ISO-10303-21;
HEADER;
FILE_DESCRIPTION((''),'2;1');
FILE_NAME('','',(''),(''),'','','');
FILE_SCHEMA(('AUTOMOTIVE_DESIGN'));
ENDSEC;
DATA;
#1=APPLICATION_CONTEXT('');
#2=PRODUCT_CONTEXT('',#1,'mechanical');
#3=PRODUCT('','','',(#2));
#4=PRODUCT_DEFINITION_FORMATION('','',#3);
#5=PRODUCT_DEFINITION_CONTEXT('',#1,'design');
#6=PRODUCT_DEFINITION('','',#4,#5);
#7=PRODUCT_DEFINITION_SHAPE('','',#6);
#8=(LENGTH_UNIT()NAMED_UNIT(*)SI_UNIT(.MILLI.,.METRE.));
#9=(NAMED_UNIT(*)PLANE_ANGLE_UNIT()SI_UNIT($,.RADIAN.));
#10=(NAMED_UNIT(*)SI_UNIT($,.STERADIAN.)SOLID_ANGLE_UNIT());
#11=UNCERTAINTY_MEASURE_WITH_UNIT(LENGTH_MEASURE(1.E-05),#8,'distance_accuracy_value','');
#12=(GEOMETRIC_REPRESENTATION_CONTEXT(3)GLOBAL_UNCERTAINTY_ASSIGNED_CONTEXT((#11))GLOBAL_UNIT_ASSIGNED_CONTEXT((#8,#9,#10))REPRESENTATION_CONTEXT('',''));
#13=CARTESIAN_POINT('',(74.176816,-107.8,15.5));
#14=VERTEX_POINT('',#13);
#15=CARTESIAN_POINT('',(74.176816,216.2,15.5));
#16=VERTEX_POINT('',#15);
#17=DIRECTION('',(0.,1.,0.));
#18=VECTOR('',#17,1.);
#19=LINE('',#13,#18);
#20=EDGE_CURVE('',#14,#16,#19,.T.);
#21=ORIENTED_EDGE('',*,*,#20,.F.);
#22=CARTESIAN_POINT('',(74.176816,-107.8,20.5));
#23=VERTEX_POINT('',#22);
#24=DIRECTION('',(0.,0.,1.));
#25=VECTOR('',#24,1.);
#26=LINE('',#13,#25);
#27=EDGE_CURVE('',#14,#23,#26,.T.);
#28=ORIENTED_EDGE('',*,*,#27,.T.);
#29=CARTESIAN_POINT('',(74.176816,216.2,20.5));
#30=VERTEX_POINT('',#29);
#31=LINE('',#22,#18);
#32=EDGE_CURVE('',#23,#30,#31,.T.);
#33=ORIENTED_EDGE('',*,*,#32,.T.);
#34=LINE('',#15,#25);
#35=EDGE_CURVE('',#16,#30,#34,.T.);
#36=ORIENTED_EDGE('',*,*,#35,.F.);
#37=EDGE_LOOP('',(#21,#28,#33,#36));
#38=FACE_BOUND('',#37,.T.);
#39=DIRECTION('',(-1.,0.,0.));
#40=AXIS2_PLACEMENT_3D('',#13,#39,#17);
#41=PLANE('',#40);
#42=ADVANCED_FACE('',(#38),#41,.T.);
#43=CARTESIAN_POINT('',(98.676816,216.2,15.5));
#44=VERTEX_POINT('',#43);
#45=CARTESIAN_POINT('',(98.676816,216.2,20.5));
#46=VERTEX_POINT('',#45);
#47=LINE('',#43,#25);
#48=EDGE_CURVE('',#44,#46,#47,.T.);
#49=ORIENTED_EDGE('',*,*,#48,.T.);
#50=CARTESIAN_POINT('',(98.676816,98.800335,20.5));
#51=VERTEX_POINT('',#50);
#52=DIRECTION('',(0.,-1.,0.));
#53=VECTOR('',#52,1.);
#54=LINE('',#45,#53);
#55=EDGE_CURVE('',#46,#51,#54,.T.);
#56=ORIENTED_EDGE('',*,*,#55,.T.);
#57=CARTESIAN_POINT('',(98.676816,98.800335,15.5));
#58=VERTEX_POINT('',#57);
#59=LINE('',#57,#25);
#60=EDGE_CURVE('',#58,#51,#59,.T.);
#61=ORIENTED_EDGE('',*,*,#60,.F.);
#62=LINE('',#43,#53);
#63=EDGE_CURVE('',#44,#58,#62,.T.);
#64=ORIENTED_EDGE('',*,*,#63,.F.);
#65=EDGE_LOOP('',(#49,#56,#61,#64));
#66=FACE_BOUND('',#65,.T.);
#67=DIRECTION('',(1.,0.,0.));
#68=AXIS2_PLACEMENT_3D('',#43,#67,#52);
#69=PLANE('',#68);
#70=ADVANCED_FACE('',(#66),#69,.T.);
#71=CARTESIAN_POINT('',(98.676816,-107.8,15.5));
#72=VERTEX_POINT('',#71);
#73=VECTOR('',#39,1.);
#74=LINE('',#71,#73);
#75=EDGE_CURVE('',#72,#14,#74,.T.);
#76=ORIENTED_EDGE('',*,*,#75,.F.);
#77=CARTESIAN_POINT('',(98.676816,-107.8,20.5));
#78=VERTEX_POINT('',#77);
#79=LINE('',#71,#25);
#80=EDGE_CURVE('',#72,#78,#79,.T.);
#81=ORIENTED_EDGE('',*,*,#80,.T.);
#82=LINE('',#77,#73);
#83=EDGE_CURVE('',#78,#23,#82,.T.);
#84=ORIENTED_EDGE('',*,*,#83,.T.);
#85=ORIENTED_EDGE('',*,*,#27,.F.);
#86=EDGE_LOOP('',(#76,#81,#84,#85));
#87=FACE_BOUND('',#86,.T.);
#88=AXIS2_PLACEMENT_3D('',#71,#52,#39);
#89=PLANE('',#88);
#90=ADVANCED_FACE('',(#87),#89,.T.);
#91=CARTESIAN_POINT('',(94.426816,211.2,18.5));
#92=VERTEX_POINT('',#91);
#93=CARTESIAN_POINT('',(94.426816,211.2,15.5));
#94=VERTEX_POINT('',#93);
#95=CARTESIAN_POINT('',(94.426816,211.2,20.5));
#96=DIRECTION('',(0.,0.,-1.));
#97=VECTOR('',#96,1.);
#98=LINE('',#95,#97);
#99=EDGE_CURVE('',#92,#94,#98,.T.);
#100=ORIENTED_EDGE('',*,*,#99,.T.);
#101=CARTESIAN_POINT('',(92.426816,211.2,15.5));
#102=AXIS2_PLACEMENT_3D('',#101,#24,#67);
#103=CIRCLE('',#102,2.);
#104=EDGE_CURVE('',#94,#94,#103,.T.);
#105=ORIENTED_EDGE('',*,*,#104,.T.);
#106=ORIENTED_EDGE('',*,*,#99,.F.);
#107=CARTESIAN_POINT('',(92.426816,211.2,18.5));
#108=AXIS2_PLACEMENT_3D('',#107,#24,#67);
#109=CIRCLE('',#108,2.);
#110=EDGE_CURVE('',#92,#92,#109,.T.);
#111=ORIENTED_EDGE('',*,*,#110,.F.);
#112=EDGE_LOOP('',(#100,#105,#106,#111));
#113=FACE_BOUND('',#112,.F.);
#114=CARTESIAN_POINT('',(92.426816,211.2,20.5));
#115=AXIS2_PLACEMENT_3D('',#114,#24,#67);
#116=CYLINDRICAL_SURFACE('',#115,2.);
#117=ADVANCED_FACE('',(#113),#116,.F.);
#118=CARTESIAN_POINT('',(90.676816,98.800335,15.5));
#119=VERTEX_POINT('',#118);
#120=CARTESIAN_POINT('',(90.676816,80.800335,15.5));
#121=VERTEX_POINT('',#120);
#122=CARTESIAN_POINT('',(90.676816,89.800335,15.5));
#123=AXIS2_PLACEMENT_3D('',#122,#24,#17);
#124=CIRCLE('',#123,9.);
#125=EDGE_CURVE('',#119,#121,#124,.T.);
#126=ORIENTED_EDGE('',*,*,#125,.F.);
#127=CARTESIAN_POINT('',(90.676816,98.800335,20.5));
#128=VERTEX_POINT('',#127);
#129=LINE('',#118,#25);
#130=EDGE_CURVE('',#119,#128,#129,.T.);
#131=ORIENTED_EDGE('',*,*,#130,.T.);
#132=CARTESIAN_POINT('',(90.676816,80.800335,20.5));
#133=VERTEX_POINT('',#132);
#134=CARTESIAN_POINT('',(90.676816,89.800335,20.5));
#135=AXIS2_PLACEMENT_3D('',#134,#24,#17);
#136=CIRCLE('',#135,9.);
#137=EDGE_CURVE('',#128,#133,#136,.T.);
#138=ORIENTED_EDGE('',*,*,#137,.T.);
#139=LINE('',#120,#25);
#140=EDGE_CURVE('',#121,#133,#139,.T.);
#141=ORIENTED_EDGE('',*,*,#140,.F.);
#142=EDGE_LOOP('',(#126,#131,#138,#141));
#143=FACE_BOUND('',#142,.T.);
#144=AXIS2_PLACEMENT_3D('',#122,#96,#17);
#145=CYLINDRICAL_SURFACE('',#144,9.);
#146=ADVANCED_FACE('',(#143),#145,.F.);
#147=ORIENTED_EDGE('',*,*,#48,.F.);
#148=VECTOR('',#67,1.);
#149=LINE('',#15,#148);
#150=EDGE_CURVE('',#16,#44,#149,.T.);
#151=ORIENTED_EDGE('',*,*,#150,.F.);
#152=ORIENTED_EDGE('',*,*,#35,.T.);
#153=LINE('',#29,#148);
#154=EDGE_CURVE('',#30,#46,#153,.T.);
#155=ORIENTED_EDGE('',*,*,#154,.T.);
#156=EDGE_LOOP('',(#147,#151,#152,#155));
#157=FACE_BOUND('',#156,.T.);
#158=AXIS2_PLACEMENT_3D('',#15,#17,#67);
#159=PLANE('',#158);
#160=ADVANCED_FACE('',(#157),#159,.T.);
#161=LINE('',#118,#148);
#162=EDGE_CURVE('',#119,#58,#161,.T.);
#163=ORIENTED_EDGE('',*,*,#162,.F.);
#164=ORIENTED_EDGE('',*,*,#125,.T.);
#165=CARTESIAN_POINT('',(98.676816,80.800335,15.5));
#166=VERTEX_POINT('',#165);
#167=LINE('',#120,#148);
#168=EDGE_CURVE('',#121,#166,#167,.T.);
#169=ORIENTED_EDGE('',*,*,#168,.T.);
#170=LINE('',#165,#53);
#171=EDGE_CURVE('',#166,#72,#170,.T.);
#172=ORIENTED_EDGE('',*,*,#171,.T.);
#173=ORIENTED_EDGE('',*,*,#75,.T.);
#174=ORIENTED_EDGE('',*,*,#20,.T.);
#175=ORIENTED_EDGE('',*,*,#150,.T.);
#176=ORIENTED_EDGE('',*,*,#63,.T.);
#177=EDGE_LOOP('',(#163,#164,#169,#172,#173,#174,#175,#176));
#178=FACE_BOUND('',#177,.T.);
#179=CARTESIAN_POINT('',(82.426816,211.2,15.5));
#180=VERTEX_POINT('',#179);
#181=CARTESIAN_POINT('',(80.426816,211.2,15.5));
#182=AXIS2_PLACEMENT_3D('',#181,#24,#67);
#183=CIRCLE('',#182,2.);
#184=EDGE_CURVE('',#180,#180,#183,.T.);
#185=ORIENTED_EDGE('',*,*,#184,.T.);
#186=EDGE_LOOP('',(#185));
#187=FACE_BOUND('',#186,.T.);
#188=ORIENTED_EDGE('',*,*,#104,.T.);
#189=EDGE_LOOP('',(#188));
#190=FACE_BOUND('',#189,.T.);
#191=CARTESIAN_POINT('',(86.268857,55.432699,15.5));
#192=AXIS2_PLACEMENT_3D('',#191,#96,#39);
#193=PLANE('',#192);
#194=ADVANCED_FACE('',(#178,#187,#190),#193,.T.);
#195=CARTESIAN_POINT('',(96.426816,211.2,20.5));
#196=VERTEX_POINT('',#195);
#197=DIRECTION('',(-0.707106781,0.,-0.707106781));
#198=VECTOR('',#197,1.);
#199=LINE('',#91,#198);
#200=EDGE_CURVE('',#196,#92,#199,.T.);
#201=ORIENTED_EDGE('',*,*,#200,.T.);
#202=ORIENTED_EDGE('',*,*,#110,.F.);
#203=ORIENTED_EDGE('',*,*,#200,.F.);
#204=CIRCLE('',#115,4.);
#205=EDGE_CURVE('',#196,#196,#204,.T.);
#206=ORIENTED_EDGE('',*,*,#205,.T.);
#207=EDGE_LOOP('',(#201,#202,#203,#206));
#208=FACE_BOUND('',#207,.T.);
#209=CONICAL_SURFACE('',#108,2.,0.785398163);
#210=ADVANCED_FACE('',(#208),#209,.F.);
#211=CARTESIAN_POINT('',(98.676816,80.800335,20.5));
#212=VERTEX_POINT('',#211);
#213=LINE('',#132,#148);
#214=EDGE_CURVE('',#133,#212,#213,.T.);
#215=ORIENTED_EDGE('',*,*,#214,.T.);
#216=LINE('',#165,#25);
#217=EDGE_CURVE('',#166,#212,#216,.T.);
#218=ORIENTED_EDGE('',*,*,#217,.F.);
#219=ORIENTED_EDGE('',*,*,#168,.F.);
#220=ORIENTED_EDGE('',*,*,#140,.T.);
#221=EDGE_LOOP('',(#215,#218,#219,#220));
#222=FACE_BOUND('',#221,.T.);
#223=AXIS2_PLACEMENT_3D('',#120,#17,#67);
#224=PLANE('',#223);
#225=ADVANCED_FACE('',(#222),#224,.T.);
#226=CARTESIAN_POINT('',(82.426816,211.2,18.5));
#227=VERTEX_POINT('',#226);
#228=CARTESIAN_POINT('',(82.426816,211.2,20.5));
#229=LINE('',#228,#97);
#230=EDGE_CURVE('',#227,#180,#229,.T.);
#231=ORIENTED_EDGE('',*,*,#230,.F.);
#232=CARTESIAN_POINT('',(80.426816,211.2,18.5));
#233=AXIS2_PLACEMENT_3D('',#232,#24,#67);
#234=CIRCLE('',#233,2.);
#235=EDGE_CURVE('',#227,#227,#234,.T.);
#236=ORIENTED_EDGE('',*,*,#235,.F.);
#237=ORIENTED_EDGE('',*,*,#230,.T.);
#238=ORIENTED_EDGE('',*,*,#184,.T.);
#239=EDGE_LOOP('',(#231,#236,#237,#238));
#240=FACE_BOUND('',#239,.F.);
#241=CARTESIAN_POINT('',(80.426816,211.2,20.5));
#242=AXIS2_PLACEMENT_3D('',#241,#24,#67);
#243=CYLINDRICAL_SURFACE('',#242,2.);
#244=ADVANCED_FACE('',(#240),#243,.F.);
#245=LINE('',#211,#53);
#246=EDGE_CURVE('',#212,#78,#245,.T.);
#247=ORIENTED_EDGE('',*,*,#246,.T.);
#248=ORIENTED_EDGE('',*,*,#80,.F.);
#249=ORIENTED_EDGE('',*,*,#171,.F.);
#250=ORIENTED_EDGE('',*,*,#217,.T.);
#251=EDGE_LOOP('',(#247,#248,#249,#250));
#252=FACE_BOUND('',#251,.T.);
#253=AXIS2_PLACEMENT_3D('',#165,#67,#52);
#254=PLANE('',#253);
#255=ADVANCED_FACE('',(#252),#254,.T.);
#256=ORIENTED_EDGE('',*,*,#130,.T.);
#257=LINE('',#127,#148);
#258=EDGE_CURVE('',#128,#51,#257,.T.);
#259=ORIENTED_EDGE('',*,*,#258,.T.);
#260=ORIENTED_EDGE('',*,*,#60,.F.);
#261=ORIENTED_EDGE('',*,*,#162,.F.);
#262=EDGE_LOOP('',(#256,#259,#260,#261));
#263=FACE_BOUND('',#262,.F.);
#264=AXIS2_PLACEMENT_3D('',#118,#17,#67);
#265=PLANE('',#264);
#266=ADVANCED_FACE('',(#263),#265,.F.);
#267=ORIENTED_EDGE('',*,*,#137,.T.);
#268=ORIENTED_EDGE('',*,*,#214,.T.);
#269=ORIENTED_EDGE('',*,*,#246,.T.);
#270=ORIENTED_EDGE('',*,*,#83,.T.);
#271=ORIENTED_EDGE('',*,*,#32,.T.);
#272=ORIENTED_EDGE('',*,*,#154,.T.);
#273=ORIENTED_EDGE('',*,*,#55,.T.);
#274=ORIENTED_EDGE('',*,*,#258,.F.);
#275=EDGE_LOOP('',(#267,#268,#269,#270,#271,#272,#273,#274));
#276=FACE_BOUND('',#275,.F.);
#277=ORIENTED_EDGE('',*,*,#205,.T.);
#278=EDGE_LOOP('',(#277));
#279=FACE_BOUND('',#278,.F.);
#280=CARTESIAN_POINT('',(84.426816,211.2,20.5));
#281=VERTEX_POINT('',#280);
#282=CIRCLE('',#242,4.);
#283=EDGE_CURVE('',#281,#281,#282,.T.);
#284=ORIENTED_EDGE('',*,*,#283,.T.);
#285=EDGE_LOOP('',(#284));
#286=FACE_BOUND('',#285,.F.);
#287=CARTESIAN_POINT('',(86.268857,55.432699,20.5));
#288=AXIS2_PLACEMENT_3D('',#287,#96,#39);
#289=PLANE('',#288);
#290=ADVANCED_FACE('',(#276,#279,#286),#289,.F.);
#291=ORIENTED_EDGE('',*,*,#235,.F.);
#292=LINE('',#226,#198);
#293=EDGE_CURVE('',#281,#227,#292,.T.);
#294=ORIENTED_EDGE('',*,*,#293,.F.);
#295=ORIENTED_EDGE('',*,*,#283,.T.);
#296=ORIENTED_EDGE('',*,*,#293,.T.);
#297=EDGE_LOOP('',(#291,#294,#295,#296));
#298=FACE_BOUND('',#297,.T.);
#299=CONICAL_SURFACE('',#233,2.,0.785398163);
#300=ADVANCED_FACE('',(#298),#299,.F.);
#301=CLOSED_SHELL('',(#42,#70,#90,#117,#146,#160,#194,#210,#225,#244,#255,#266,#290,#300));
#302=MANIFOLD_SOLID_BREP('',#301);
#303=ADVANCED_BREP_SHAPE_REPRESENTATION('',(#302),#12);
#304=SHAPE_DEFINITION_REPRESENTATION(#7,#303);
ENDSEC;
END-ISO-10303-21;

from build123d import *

# Parameters (mm, degrees)
PAD028_DEPTH    = 5
SKETCH060_R     = 2
POCKET038_DEPTH = 5.001
CHAMFER022_SIZE = 2


with BuildPart() as part:
    # Sketch055 → Pad028 (new body)
    with BuildSketch(Plane.XY):
        with BuildLine():
            Line((98.676816, 80.800335), (98.676816, -107.8))
            Line((98.676816, -107.8), (74.176816, -107.8))
            Line((74.176816, -107.8), (74.176816, 216.2))
            Line((74.176816, 216.2), (98.676816, 216.2))
            Line((98.676816, 216.2), (98.676816, 98.800335))
            Line((90.676816, 98.800335), (98.676816, 98.800335))
            ThreePointArc((90.676816, 98.800335), (81.676816, 89.800335), (90.676816, 80.800335))
            Line((90.676816, 80.800335), (98.676816, 80.800335))
        make_face()
    extrude(amount=PAD028_DEPTH)

    # Sketch060 (on Face10 of Pad028) → Pocket038 (cut, through all)
    with BuildSketch(Plane.XY.offset(5)):
        with Locations((80.426816, 211.2)):
            Circle(SKETCH060_R)
        with Locations((92.426816, 211.2)):
            Circle(SKETCH060_R)
    extrude(amount=-POCKET038_DEPTH, mode=Mode.SUBTRACT)

    # Chamfer022
    chamfer022_edges = [part.edges().sort_by_distance(p)[0] for p in [
        (78.426816, 211.2, 5),
        (90.426816, 211.2, 5),
    ]]
    chamfer(chamfer022_edges, length=CHAMFER022_SIZE)


with BuildPart() as part_1:
    # Body021 placement: moved
    add(part.part.moved(Location((0, 0, 15.5))))


solid = part_1.part
